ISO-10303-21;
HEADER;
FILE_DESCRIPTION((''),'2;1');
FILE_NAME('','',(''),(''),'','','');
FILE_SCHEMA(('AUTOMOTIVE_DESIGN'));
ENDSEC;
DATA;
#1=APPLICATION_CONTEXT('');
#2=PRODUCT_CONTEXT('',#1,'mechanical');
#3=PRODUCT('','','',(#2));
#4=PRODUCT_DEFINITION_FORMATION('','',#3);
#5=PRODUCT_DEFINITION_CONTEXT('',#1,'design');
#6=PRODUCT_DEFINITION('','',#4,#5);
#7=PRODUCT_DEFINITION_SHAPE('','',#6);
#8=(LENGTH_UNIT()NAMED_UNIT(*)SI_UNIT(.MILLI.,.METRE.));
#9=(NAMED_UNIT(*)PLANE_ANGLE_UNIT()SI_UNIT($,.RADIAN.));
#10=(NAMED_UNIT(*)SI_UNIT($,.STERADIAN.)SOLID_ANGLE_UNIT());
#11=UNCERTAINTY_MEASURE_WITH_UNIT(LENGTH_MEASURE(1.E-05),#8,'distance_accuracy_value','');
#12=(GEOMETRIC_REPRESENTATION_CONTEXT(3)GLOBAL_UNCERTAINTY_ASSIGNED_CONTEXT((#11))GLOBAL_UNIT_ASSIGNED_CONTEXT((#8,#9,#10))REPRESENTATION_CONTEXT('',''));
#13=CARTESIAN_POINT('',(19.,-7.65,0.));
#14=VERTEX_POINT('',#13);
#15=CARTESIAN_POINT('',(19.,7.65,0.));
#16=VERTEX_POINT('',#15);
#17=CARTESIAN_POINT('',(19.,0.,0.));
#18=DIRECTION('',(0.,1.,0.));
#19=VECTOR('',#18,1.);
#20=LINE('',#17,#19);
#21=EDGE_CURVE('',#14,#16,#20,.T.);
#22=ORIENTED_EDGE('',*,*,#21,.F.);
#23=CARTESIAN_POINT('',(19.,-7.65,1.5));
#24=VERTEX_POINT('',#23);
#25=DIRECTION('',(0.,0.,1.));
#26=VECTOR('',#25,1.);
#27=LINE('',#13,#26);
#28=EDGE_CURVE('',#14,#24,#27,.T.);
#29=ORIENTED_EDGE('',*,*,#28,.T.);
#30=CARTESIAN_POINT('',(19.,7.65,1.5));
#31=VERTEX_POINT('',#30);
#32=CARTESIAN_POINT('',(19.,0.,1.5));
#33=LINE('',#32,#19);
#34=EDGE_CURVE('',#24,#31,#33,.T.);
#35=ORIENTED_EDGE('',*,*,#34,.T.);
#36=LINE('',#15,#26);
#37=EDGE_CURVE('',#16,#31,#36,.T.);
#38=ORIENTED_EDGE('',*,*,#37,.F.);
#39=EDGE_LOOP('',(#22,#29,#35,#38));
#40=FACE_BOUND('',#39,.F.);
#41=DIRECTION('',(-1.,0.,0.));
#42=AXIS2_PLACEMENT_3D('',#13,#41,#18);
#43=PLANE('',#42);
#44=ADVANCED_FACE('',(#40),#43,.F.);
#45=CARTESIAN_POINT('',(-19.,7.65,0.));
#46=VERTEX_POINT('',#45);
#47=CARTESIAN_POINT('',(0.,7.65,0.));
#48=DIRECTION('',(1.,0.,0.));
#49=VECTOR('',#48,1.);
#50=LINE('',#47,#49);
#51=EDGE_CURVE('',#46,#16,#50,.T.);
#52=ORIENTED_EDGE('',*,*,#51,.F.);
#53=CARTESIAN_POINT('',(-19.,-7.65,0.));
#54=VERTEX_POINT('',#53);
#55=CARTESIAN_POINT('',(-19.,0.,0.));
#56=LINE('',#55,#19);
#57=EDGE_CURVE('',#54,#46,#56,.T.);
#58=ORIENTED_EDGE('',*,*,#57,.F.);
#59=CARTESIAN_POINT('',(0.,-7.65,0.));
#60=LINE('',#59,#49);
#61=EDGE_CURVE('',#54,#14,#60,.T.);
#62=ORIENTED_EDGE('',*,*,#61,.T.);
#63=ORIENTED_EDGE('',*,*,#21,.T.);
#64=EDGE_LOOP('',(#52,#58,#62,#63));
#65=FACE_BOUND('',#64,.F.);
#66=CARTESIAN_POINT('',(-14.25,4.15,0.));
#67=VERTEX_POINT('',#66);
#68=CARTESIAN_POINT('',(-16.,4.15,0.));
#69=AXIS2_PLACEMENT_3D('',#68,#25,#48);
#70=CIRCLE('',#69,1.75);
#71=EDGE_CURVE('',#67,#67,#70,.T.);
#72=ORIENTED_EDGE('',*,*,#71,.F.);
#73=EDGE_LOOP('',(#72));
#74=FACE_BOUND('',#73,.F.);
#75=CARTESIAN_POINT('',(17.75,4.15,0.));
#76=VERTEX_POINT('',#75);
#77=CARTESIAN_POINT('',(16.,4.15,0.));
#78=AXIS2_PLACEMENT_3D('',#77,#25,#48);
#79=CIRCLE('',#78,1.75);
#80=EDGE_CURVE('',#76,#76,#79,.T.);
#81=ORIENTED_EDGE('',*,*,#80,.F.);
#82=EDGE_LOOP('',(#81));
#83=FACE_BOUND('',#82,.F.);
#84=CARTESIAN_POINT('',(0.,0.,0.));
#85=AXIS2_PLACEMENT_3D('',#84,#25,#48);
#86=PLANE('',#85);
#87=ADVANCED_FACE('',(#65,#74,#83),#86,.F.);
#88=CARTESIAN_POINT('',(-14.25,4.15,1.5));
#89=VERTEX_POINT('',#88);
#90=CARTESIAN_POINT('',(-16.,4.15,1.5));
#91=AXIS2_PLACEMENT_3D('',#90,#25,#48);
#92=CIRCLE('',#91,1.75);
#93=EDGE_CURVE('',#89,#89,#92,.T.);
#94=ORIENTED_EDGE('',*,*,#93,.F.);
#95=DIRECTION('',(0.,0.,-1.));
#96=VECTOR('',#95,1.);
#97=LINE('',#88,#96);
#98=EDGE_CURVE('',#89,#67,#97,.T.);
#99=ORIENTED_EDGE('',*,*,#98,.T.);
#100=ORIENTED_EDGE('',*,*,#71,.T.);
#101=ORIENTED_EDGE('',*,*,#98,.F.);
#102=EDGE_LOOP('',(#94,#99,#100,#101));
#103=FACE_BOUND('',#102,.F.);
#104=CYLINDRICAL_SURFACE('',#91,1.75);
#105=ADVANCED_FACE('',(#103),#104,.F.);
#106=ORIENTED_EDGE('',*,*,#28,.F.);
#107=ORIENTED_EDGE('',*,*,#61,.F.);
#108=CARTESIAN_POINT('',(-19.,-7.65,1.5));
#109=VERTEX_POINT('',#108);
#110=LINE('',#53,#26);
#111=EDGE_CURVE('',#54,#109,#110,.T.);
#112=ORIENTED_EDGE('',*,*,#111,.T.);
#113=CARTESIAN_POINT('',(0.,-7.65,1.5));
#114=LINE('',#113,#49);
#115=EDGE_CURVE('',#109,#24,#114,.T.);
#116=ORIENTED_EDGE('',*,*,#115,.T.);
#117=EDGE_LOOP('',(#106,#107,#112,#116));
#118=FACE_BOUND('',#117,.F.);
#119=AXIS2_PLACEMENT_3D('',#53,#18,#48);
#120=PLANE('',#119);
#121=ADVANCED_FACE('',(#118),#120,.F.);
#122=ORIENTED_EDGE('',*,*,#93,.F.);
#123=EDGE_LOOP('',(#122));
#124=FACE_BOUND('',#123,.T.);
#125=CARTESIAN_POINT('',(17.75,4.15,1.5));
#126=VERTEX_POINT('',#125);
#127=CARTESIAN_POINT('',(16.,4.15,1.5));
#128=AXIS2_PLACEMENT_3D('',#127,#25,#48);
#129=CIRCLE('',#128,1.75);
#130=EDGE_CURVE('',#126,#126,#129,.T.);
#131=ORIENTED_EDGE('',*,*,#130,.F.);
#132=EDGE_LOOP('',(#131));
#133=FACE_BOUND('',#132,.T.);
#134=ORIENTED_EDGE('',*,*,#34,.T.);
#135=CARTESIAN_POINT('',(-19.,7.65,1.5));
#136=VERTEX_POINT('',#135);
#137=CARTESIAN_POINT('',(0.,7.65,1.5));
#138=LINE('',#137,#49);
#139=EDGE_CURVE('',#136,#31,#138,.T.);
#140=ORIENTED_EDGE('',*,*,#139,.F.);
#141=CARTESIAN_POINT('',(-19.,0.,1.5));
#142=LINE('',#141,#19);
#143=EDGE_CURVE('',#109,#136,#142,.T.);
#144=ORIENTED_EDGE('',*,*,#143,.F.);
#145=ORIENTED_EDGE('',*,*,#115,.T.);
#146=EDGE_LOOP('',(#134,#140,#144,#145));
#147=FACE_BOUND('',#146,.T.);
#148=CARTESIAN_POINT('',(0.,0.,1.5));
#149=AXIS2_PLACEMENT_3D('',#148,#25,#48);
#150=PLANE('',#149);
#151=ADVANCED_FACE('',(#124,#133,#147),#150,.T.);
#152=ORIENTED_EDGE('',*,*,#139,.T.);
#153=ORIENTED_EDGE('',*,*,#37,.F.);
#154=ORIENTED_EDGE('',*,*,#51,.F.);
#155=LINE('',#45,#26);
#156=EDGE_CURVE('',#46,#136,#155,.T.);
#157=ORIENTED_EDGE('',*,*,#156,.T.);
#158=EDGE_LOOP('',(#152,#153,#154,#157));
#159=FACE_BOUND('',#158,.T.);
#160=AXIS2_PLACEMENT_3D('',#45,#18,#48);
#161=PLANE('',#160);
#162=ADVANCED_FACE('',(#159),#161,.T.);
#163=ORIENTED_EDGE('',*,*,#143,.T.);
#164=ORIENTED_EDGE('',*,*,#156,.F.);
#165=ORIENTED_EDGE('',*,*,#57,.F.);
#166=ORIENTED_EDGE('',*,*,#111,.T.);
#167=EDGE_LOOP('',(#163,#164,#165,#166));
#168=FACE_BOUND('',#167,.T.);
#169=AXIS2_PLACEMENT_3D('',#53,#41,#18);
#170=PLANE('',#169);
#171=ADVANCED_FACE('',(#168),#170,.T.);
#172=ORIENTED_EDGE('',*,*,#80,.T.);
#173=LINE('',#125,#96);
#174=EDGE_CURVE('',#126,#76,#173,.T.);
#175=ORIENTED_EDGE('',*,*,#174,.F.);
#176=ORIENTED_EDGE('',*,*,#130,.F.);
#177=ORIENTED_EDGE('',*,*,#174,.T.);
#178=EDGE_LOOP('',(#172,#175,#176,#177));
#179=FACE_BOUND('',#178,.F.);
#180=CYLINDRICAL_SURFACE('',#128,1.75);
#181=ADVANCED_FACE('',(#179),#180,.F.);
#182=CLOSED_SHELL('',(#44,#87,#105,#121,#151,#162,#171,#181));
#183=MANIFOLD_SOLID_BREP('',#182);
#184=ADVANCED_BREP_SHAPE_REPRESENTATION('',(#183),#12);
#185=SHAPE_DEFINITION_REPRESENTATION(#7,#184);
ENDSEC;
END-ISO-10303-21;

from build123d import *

# Parameters (mm, degrees)
SKETCH_W     = 38
SKETCH_H     = 15.3
PAD_DEPTH    = 1.5
SKETCH001_R  = 1.75
POCKET_DEPTH = 5


with BuildPart() as part:
    # Sketch (on XY_Plane of Origin) → Pad (new body)
    with BuildSketch(Plane.XY):
        Rectangle(SKETCH_W, SKETCH_H)
    extrude(amount=PAD_DEPTH)

    # Sketch001 (on Face6 of Pad) → Pocket (cut)
    with BuildSketch(Plane.XY.offset(1.5)):
        with Locations((-16, 4.15)):
            Circle(SKETCH001_R)
        with Locations((16, 4.15)):
            Circle(SKETCH001_R)
    extrude(amount=-POCKET_DEPTH, mode=Mode.SUBTRACT)


solid = part.part
